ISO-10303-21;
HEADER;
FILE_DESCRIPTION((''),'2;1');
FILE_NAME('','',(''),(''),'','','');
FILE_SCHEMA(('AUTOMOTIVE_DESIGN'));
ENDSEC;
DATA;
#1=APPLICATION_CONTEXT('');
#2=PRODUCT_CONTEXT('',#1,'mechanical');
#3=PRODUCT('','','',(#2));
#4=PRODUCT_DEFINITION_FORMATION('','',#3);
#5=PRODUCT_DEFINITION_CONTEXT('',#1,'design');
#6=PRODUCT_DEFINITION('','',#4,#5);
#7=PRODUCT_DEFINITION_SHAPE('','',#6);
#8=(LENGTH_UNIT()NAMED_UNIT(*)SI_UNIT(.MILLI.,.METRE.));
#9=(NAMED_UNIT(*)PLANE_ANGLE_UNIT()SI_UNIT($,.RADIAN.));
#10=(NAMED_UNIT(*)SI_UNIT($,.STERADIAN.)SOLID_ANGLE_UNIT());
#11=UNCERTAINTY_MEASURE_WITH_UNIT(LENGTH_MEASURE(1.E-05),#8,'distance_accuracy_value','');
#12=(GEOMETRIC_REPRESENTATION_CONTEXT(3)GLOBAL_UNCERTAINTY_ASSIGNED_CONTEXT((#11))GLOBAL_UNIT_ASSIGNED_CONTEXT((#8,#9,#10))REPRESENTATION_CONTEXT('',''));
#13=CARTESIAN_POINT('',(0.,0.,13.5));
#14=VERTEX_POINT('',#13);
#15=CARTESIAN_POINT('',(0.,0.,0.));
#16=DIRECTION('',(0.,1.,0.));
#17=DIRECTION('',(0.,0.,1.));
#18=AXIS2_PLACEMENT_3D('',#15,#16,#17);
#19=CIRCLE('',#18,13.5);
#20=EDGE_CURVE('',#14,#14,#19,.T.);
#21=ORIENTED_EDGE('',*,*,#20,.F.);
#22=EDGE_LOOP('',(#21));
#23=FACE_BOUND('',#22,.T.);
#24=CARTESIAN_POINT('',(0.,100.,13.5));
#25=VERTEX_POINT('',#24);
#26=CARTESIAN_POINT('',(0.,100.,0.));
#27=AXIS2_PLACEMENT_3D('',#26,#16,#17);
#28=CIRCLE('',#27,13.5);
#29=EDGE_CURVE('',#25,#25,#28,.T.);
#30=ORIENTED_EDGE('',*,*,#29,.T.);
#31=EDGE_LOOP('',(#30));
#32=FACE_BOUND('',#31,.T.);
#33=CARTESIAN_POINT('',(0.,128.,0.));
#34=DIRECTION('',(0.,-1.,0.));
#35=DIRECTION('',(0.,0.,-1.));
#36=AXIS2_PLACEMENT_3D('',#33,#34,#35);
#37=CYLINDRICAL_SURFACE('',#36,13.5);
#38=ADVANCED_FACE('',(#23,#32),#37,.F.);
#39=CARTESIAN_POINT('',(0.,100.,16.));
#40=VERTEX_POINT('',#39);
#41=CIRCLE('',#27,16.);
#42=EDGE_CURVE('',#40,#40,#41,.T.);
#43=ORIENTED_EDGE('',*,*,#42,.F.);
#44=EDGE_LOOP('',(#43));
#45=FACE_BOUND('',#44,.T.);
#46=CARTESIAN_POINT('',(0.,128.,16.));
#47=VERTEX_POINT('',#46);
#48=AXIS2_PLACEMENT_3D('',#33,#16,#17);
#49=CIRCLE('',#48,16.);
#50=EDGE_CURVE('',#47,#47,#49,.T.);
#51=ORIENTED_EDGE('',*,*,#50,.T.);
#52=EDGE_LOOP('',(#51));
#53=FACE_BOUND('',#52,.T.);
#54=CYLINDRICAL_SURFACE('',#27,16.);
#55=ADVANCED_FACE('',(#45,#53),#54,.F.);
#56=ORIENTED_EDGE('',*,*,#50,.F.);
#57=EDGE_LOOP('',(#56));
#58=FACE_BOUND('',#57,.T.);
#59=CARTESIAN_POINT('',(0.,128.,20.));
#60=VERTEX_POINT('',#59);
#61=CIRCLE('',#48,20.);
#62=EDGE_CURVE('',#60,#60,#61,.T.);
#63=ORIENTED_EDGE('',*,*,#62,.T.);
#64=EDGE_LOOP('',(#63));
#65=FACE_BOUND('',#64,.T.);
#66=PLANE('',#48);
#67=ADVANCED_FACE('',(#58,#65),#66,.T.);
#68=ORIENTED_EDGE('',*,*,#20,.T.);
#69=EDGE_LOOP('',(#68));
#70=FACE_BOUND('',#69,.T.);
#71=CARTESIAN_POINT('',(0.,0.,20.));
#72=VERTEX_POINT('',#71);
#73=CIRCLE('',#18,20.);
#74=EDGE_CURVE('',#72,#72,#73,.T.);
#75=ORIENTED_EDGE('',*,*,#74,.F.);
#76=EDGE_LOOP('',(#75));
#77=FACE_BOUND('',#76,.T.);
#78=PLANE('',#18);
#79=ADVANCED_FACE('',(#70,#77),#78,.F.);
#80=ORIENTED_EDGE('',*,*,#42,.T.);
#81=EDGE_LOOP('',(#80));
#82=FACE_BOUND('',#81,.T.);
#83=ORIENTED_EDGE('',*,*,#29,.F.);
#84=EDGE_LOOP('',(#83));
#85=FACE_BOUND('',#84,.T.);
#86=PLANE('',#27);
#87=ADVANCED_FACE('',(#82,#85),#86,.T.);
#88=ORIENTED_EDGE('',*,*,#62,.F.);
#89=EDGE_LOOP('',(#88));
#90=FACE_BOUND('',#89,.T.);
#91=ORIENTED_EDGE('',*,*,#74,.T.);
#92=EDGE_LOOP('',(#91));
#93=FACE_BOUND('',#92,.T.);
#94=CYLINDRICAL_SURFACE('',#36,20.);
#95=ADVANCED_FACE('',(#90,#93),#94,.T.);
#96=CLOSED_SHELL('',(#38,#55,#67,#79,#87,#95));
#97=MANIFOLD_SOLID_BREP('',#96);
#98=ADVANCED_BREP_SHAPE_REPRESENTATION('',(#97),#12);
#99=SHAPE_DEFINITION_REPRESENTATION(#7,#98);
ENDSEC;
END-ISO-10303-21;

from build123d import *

# Parameters (mm, degrees)
SKETCH2_R           = 20
SKETCH2_R_2         = 13.5
BOSS_EXTRUDE1_DEPTH = 128
SKETCH3_R           = 16
CUT_EXTRUDE1_DEPTH  = 28


with BuildPart() as part:
    # Sketch2 → Boss-Extrude1 (new body)
    with BuildSketch(Plane(origin=(0, 0, 0), x_dir=(1, 0, 0), z_dir=(0, 1, 0))):
        with Locations(Location((0, 0, 0), (0, 0, 270))):
            Circle(SKETCH2_R)
        with Locations(Location((0, 0, 0), (0, 0, 270))):
            Circle(SKETCH2_R_2, mode=Mode.SUBTRACT)
    extrude(amount=BOSS_EXTRUDE1_DEPTH)

    # Sketch3 → Cut-Extrude1 (cut)
    with BuildSketch(Plane(origin=(0, 128, 0), x_dir=(1, 0, 0), z_dir=(0, 1, 0))):
        with Locations(Location((0, 0, 0), (0, 0, 270))):
            Circle(SKETCH3_R)
    extrude(amount=-CUT_EXTRUDE1_DEPTH, mode=Mode.SUBTRACT)


solid = part.part
